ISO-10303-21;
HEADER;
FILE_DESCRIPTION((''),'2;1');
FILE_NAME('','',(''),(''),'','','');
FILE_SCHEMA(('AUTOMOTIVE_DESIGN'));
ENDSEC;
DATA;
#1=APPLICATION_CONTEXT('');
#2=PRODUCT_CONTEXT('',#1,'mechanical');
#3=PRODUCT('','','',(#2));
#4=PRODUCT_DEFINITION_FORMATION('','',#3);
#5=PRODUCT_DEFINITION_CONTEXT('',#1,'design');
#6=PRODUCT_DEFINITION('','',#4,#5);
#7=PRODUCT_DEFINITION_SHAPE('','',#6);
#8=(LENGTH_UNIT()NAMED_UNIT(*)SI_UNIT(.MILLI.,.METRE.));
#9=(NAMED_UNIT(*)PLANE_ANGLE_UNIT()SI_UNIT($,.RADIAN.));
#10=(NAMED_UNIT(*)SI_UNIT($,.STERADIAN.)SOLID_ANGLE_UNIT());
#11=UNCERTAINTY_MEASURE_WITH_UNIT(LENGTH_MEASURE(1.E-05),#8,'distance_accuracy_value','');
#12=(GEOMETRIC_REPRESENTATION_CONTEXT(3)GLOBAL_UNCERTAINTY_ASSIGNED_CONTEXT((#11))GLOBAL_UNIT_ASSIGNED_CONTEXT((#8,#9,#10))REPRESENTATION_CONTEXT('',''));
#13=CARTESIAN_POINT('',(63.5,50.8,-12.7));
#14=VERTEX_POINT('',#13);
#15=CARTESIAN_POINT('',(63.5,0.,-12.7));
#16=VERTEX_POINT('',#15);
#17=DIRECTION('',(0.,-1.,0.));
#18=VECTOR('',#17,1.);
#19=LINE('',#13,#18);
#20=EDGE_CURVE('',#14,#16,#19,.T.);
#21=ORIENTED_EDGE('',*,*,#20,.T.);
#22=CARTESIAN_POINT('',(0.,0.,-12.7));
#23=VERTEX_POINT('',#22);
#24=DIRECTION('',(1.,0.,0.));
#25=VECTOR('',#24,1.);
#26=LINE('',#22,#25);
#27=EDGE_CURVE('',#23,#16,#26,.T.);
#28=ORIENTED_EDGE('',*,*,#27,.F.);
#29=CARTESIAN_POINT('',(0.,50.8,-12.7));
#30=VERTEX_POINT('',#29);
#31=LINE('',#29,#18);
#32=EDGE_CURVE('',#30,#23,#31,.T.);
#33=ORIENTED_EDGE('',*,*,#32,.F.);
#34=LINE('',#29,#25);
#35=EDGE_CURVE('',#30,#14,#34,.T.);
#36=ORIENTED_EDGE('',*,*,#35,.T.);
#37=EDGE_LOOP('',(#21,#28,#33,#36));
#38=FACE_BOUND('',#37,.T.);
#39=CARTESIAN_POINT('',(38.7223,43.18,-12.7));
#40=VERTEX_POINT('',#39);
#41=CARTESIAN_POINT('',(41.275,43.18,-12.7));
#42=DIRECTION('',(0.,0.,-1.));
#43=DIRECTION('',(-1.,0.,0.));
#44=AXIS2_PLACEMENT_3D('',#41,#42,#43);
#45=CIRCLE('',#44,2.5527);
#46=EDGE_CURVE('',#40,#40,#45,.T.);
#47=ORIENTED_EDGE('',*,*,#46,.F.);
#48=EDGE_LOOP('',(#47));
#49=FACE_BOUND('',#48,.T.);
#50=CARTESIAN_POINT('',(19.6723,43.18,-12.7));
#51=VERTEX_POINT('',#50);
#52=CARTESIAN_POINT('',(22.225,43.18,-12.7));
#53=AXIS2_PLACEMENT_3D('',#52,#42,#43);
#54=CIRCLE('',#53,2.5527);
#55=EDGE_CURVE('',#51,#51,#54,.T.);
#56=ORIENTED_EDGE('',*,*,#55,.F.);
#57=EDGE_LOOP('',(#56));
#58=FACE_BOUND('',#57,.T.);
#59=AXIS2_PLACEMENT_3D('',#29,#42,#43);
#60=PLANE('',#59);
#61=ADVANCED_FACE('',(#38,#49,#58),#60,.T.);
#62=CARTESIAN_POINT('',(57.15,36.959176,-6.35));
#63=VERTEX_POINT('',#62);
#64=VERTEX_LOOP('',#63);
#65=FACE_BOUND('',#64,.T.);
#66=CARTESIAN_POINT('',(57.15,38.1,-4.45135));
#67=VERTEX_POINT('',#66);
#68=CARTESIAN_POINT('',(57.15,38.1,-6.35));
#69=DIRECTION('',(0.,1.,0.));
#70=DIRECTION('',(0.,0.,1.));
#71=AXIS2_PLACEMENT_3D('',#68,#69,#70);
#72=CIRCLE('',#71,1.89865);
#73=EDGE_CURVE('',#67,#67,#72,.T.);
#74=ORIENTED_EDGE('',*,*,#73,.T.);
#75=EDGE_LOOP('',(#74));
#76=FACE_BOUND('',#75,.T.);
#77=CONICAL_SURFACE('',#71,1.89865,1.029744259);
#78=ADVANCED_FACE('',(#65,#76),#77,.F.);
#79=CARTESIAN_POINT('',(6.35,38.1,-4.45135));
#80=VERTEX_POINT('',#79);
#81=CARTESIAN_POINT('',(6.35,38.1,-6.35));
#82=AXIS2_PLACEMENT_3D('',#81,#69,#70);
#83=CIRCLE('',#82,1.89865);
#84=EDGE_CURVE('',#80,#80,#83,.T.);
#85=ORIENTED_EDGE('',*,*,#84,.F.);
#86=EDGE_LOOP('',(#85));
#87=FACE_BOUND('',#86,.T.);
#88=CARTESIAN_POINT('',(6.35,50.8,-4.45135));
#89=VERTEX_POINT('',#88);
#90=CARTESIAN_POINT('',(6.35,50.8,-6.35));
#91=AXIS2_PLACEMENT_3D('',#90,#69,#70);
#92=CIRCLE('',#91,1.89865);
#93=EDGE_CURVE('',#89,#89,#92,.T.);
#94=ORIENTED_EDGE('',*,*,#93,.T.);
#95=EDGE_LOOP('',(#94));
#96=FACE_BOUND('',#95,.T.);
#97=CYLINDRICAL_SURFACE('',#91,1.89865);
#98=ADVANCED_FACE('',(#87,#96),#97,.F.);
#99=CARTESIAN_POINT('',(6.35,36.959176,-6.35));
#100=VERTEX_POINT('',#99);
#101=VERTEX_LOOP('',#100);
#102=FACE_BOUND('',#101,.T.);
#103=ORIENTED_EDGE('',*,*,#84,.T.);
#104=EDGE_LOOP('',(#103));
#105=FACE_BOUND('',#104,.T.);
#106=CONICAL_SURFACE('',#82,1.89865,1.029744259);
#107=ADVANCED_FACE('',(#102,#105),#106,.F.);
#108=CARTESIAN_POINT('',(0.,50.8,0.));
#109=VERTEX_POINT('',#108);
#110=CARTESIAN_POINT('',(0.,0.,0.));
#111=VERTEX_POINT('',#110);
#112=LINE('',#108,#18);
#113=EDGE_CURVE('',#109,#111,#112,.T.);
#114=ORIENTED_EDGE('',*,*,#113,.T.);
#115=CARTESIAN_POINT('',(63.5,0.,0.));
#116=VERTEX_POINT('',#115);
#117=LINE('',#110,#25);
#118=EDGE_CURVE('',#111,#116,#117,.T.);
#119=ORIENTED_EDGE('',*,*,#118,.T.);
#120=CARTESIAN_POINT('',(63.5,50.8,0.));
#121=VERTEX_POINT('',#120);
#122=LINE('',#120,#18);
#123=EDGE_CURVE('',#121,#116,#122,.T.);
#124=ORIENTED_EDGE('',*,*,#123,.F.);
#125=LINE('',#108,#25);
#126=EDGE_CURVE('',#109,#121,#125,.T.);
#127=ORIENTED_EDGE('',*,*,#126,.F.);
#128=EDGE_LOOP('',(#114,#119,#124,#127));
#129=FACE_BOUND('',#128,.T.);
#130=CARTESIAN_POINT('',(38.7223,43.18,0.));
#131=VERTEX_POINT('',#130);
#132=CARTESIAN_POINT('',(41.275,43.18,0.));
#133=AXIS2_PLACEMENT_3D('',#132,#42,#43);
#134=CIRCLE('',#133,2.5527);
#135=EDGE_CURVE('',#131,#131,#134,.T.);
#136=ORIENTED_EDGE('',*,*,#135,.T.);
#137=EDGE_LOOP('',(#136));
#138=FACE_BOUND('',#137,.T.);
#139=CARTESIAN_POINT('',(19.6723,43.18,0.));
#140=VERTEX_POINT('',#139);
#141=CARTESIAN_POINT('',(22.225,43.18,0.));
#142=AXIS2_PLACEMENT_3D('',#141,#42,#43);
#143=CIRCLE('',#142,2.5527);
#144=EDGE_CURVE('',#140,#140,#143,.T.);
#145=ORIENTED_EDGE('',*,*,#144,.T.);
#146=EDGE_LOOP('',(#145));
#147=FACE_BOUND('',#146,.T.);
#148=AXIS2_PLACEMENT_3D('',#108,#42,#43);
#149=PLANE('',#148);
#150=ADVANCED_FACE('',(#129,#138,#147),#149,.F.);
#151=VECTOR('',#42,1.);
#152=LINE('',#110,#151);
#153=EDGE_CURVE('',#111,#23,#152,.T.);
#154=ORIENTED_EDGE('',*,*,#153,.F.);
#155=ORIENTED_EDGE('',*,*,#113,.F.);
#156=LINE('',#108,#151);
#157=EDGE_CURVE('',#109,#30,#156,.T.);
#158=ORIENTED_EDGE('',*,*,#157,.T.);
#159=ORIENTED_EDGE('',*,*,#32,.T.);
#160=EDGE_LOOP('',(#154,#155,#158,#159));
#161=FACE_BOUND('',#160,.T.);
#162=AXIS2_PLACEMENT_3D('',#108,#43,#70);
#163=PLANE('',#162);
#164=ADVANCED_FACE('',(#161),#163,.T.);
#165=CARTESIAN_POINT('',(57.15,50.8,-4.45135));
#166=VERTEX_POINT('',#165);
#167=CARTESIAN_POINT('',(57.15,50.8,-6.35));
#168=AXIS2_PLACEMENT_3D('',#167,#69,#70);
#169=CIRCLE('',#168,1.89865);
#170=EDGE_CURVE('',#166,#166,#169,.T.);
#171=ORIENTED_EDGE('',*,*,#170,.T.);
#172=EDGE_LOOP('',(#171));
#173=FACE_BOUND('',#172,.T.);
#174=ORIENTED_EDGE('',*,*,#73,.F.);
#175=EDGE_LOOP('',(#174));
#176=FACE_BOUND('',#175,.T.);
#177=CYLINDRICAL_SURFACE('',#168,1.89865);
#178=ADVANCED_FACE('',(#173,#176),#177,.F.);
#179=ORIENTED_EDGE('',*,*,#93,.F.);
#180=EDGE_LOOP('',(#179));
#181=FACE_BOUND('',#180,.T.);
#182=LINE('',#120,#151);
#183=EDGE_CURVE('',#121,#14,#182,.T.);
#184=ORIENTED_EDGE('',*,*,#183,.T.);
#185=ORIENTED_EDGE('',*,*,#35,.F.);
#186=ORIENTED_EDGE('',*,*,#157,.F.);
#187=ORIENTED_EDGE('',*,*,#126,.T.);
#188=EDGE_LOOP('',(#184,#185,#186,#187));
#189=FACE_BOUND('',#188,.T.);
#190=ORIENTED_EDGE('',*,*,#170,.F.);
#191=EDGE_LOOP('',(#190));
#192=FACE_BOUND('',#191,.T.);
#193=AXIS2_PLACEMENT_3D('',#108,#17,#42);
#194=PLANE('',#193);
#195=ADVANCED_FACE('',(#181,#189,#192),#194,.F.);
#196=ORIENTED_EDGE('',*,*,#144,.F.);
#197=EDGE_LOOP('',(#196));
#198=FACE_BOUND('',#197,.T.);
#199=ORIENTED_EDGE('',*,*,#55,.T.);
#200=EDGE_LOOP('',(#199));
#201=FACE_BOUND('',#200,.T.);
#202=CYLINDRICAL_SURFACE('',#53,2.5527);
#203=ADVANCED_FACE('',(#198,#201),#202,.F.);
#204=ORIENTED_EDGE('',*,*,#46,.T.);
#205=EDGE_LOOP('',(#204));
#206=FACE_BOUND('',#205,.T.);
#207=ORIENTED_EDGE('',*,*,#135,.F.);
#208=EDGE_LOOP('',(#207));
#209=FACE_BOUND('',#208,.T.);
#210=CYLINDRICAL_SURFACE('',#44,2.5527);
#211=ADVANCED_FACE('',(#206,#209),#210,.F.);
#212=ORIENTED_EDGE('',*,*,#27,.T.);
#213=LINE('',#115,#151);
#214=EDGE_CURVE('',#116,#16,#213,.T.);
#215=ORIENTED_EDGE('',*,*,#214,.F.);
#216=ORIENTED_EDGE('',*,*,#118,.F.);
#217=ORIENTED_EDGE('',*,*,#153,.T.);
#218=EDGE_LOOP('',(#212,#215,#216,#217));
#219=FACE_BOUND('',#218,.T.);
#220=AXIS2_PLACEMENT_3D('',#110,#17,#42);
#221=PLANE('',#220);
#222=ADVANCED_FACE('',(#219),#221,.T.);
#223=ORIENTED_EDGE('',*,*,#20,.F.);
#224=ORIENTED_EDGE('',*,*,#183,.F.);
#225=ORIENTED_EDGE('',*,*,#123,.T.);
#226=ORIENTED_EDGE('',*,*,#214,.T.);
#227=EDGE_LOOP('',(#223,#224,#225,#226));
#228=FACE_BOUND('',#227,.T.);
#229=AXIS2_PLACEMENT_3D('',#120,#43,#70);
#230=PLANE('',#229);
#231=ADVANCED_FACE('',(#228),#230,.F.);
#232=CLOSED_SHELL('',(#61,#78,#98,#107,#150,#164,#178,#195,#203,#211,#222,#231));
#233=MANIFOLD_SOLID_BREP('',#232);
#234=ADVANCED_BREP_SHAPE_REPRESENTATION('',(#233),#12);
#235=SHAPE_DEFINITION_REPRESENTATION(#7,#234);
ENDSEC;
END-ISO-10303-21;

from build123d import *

# Parameters (mm, degrees)
SKETCH1_W                        = 63.5
SKETCH1_H                        = 12.7
BOSS_EXTRUDE1_DEPTH              = 50.8
F_25_0_1495_DIAMETER_HOLE1_D     = 3.7973
F_25_0_1495_DIAMETER_HOLE1_DEPTH = 12.7
F_25_0_1495_DIAMETER_HOLE1_TIP   = 1.140824014
F_7_0_201_DIAMETER_HOLE1_D       = 5.1054
F_7_0_201_DIAMETER_HOLE1_DEPTH   = 12.7
F_7_0_201_DIAMETER_HOLE1_TIP     = 1.533816902


with BuildPart() as part:
    # Sketch1 → Boss-Extrude1 (new body)
    with BuildSketch(Plane(origin=(0, 0, 0), x_dir=(1, 0, 0), z_dir=(0, 1, 0))):
        with Locations((31.75, 6.35)):
            Rectangle(SKETCH1_W, SKETCH1_H)
    extrude(amount=BOSS_EXTRUDE1_DEPTH)

    # #25 (0.1495) Diameter Hole1
    with Locations(Plane(origin=(0, 50.8, 0), x_dir=(1, 0, 0), z_dir=(0, 1, 0))):
        with Locations((6.35, 6.35), (57.15, 6.35)):
            Hole(F_25_0_1495_DIAMETER_HOLE1_D / 2, depth=F_25_0_1495_DIAMETER_HOLE1_DEPTH)
            with Locations((0, 0, -(F_25_0_1495_DIAMETER_HOLE1_DEPTH + F_25_0_1495_DIAMETER_HOLE1_TIP / 2))):  # 118° drill point
                Cone(0, F_25_0_1495_DIAMETER_HOLE1_D / 2, F_25_0_1495_DIAMETER_HOLE1_TIP, mode=Mode.SUBTRACT)

    # #7 (0.201) Diameter Hole1
    with Locations(Plane(origin=(0, 0, -12.7), x_dir=(-1, 0, 0), z_dir=(0, 0, -1))):
        with Locations((-22.225, 43.18), (-41.275, 43.18)):
            Hole(F_7_0_201_DIAMETER_HOLE1_D / 2, depth=F_7_0_201_DIAMETER_HOLE1_DEPTH)
            with Locations((0, 0, -(F_7_0_201_DIAMETER_HOLE1_DEPTH + F_7_0_201_DIAMETER_HOLE1_TIP / 2))):  # 118° drill point
                Cone(0, F_7_0_201_DIAMETER_HOLE1_D / 2, F_7_0_201_DIAMETER_HOLE1_TIP, mode=Mode.SUBTRACT)


solid = part.part
